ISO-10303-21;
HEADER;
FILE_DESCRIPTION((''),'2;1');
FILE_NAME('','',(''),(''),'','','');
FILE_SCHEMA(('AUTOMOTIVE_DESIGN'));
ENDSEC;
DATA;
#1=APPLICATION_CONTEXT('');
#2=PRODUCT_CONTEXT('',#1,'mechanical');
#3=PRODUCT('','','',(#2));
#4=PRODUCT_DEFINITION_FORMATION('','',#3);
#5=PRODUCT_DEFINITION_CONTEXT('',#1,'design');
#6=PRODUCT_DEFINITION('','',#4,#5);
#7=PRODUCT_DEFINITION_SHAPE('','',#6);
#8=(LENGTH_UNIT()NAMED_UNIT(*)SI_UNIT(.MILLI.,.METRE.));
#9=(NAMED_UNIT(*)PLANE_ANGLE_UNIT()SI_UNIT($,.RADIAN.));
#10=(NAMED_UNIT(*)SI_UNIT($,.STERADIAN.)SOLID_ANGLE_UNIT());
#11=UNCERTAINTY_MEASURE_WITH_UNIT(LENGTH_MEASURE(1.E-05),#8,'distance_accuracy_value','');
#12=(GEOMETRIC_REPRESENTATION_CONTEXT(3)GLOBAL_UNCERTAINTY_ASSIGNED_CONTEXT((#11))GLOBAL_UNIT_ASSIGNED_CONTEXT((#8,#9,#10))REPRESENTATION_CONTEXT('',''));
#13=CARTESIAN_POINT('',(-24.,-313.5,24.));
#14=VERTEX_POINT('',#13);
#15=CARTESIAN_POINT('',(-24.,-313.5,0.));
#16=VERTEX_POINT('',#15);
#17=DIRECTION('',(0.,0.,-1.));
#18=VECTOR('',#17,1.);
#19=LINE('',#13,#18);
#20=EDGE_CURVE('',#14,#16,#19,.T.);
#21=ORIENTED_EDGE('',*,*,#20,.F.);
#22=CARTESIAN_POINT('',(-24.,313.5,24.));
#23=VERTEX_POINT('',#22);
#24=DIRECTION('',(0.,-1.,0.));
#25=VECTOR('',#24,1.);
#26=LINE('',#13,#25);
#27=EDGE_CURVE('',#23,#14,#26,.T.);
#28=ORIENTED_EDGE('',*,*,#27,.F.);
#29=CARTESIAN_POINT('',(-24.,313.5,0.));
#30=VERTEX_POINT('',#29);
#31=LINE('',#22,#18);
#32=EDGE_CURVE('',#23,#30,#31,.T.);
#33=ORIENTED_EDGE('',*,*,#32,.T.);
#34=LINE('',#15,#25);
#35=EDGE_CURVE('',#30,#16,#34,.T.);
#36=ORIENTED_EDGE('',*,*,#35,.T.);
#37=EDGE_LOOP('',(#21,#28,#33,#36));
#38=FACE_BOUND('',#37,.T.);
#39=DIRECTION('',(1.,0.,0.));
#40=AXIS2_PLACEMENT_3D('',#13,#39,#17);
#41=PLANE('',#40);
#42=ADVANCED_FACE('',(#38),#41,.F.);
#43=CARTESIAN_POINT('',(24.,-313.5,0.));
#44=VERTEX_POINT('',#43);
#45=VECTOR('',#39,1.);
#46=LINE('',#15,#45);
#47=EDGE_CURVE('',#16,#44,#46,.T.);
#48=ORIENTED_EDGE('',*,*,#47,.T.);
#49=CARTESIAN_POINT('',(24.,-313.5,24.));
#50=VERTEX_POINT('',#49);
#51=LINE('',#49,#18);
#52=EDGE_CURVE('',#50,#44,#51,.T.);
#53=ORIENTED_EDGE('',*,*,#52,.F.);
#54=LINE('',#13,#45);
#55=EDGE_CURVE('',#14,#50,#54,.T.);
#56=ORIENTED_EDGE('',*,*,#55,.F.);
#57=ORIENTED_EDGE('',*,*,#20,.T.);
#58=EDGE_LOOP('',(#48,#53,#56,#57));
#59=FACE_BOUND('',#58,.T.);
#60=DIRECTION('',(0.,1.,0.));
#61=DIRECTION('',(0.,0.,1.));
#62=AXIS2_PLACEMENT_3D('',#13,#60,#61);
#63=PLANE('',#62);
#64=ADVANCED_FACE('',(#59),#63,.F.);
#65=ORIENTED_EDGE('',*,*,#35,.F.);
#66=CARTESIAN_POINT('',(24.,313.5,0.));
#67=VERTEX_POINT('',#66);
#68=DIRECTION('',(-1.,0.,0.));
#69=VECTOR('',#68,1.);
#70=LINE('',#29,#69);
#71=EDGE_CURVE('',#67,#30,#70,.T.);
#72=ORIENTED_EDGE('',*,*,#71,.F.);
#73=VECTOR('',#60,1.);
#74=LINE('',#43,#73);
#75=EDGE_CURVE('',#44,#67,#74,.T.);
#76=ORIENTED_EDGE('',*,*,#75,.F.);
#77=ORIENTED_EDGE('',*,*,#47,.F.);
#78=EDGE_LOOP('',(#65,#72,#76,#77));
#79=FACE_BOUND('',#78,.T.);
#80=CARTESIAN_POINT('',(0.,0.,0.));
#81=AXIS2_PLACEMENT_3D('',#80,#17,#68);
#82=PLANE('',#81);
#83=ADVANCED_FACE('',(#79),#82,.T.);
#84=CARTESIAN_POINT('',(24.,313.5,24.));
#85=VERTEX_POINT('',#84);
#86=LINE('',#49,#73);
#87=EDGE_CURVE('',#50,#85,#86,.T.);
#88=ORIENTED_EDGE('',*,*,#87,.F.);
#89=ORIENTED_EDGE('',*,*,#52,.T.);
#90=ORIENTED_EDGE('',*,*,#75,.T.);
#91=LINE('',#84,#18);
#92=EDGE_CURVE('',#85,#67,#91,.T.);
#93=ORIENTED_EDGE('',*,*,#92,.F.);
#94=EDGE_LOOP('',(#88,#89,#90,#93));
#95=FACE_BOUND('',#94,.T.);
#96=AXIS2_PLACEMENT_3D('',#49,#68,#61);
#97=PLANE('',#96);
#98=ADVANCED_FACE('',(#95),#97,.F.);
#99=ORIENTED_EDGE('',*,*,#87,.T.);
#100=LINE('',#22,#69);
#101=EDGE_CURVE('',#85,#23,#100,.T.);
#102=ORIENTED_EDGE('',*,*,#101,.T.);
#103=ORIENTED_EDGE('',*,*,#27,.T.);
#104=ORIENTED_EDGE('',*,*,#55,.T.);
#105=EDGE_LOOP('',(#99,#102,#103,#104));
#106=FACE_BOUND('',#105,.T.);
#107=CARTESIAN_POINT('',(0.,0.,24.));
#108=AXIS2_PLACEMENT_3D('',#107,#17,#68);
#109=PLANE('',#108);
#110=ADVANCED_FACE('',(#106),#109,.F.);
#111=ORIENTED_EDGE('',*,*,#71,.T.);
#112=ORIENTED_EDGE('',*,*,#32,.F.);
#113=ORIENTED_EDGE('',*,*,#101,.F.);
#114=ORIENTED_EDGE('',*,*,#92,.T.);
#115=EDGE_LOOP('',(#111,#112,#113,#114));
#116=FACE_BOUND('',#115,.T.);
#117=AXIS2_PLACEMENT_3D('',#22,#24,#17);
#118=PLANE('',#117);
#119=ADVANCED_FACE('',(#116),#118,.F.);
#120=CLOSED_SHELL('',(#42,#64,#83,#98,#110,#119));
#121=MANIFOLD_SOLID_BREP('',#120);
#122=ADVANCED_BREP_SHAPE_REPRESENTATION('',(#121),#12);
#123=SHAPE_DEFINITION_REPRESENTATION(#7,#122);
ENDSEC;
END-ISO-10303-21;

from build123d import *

# Parameters (mm, degrees)
ESQUISSE1_W        = 48
ESQUISSE1_H        = 627
BOSS_EXTRU_1_DEPTH = 24


with BuildPart() as part:
    # Esquisse1 → Boss.-Extru.1 (new body)
    with BuildSketch(Plane.XY):
        Rectangle(ESQUISSE1_W, ESQUISSE1_H)
    extrude(amount=BOSS_EXTRU_1_DEPTH)


solid = part.part
